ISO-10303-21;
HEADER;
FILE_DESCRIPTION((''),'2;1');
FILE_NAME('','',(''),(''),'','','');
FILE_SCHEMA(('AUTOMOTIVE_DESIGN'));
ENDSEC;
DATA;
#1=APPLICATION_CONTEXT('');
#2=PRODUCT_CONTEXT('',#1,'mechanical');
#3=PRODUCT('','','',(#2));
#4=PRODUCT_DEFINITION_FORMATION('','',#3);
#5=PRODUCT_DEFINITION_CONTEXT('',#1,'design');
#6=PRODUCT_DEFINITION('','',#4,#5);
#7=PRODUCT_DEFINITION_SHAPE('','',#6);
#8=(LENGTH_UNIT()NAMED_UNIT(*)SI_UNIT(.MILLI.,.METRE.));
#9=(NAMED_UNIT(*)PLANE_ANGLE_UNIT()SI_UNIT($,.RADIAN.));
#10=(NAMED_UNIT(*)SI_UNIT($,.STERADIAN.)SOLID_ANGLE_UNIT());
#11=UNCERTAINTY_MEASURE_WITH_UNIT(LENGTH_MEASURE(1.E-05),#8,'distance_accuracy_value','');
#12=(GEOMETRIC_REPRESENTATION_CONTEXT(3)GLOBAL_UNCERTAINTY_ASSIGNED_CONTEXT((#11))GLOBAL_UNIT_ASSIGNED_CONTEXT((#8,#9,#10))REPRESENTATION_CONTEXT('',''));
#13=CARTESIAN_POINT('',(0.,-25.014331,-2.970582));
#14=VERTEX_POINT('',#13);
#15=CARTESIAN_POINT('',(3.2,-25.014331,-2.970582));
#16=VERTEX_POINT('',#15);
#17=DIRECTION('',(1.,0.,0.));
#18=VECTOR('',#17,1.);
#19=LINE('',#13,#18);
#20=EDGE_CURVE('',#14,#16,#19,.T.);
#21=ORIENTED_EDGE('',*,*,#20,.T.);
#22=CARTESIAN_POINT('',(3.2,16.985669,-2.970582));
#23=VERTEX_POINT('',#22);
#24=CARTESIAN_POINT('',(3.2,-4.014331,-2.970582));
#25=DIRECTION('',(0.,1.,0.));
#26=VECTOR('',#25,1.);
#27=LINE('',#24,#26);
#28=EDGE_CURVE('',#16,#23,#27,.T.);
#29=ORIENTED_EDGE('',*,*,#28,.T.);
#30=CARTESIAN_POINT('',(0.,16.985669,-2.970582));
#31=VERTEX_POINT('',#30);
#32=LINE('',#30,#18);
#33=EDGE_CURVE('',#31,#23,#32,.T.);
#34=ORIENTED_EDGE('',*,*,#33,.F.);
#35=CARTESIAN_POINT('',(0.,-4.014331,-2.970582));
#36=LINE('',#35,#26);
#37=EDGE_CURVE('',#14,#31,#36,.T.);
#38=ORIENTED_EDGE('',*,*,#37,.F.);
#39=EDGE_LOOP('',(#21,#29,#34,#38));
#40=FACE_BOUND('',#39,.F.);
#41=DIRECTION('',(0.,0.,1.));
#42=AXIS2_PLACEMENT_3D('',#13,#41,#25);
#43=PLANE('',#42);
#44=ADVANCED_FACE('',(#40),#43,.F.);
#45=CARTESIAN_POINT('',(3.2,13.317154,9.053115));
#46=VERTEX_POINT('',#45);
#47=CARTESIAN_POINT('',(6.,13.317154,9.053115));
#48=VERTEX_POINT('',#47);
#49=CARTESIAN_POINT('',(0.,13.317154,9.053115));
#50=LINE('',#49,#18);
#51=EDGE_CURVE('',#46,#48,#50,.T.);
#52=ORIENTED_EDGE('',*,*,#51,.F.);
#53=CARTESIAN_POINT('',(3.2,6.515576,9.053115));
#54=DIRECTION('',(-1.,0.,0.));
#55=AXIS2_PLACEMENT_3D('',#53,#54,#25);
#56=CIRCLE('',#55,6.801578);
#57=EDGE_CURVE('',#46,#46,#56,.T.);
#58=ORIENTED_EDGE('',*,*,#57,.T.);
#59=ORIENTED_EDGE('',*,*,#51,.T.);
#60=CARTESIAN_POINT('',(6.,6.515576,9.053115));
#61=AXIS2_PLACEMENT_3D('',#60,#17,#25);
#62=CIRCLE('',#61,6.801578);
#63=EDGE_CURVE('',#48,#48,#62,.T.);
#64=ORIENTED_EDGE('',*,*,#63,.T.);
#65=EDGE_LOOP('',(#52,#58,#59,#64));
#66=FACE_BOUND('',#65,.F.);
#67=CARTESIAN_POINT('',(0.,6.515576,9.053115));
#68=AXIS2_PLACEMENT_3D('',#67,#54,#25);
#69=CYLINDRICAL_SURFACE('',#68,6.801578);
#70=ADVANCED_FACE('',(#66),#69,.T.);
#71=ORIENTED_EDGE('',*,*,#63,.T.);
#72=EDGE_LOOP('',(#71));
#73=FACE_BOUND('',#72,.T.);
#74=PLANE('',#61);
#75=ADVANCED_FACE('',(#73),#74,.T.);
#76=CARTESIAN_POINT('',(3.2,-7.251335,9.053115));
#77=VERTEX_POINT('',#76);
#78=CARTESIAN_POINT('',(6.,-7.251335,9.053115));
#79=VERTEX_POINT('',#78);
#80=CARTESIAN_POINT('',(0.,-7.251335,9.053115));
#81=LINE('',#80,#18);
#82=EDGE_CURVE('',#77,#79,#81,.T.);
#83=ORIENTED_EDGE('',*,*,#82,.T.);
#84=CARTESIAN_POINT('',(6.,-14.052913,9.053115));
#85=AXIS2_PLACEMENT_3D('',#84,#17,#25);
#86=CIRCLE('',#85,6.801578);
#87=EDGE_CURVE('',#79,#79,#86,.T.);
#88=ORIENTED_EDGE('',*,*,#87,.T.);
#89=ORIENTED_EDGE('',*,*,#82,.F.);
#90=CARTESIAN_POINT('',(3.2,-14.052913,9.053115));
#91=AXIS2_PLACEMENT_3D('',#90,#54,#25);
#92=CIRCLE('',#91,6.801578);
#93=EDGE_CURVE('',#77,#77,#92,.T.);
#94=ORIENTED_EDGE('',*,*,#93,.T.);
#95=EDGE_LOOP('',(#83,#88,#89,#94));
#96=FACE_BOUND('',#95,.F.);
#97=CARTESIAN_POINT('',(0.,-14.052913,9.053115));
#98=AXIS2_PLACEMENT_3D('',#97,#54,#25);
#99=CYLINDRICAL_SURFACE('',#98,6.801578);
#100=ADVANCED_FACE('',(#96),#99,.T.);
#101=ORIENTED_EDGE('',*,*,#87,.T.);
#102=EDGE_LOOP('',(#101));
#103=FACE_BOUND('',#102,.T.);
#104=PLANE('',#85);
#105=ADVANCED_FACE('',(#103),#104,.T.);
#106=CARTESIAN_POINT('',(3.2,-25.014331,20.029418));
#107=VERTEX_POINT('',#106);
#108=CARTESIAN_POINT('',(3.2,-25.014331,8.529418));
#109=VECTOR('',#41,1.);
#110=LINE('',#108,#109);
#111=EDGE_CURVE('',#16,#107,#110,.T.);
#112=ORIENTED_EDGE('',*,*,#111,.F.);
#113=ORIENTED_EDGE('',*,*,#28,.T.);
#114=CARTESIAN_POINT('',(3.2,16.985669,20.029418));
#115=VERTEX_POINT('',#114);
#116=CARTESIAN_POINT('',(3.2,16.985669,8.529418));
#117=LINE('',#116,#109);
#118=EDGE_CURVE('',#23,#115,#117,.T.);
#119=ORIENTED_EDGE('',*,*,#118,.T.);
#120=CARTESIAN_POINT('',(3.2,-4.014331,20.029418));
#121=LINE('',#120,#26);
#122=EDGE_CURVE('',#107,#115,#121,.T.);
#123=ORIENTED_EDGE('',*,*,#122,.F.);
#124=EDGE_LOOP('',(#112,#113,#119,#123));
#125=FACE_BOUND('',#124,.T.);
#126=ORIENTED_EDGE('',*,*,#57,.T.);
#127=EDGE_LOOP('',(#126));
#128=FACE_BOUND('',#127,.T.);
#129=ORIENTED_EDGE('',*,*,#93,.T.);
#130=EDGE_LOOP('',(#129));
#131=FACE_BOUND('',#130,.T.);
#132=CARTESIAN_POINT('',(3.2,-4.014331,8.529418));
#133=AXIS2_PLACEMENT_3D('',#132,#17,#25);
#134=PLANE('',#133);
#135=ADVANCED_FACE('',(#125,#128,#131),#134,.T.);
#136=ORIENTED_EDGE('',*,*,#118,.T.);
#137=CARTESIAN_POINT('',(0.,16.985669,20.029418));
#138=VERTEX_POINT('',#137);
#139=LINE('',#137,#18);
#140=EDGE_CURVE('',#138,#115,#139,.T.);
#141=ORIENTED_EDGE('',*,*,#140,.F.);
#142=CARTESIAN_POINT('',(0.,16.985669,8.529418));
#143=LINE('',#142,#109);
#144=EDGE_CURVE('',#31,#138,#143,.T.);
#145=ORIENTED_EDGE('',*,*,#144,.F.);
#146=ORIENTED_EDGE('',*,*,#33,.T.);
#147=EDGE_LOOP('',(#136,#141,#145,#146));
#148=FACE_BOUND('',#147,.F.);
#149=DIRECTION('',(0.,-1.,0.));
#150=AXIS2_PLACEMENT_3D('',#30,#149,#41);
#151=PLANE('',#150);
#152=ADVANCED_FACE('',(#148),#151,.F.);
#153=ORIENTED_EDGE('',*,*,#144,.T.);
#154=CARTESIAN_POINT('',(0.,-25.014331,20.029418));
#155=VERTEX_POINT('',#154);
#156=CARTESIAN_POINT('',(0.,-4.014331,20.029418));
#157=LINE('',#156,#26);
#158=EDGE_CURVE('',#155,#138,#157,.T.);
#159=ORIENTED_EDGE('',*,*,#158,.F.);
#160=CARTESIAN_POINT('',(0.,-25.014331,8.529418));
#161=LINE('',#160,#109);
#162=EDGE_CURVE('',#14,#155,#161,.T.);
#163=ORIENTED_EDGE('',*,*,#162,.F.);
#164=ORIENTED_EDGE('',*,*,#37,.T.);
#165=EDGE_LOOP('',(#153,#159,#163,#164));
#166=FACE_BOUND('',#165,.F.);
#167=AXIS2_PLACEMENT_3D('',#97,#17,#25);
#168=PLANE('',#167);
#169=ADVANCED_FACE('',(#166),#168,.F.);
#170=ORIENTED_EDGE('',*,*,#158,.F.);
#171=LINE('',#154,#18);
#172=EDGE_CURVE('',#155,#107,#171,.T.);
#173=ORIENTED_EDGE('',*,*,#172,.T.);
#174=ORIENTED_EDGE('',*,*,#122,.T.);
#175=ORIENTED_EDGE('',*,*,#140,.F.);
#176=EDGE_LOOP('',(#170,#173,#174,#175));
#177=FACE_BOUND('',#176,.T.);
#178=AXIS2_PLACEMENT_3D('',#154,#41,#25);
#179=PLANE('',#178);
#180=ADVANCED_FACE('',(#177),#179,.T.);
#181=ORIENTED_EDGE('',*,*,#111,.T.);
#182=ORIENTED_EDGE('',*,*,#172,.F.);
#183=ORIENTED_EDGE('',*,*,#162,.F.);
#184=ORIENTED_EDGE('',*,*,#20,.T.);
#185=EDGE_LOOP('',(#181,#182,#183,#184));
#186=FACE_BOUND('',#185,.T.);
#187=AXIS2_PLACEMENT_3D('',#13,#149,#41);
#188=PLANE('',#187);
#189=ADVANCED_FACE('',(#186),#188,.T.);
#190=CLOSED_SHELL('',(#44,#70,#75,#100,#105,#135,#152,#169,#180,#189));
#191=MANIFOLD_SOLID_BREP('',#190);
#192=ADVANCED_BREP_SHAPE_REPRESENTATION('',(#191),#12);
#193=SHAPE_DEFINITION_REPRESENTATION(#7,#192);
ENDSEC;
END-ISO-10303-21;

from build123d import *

# Parameters (mm, degrees)
F0_W     = 42
F0_H     = 23
F1_DEPTH = 3.2
F2_R     = 6.801578
F3_DEPTH = 6


with BuildPart() as f1:
    # F0 (on Right) → F1 (new body)
    with BuildSketch(Plane.YZ):
        with Locations((-4.014331, 8.529418)):
            Rectangle(F0_W, F0_H)
    extrude(amount=F1_DEPTH)

    # F2 (on Right) → F3 (join)
    with BuildSketch(Plane.YZ):
        with Locations((-14.052913, 9.053115)):
            Circle(F2_R)
        with Locations((6.515576, 9.053115)):
            Circle(F2_R)
    extrude(amount=F3_DEPTH)


solid = f1.part
